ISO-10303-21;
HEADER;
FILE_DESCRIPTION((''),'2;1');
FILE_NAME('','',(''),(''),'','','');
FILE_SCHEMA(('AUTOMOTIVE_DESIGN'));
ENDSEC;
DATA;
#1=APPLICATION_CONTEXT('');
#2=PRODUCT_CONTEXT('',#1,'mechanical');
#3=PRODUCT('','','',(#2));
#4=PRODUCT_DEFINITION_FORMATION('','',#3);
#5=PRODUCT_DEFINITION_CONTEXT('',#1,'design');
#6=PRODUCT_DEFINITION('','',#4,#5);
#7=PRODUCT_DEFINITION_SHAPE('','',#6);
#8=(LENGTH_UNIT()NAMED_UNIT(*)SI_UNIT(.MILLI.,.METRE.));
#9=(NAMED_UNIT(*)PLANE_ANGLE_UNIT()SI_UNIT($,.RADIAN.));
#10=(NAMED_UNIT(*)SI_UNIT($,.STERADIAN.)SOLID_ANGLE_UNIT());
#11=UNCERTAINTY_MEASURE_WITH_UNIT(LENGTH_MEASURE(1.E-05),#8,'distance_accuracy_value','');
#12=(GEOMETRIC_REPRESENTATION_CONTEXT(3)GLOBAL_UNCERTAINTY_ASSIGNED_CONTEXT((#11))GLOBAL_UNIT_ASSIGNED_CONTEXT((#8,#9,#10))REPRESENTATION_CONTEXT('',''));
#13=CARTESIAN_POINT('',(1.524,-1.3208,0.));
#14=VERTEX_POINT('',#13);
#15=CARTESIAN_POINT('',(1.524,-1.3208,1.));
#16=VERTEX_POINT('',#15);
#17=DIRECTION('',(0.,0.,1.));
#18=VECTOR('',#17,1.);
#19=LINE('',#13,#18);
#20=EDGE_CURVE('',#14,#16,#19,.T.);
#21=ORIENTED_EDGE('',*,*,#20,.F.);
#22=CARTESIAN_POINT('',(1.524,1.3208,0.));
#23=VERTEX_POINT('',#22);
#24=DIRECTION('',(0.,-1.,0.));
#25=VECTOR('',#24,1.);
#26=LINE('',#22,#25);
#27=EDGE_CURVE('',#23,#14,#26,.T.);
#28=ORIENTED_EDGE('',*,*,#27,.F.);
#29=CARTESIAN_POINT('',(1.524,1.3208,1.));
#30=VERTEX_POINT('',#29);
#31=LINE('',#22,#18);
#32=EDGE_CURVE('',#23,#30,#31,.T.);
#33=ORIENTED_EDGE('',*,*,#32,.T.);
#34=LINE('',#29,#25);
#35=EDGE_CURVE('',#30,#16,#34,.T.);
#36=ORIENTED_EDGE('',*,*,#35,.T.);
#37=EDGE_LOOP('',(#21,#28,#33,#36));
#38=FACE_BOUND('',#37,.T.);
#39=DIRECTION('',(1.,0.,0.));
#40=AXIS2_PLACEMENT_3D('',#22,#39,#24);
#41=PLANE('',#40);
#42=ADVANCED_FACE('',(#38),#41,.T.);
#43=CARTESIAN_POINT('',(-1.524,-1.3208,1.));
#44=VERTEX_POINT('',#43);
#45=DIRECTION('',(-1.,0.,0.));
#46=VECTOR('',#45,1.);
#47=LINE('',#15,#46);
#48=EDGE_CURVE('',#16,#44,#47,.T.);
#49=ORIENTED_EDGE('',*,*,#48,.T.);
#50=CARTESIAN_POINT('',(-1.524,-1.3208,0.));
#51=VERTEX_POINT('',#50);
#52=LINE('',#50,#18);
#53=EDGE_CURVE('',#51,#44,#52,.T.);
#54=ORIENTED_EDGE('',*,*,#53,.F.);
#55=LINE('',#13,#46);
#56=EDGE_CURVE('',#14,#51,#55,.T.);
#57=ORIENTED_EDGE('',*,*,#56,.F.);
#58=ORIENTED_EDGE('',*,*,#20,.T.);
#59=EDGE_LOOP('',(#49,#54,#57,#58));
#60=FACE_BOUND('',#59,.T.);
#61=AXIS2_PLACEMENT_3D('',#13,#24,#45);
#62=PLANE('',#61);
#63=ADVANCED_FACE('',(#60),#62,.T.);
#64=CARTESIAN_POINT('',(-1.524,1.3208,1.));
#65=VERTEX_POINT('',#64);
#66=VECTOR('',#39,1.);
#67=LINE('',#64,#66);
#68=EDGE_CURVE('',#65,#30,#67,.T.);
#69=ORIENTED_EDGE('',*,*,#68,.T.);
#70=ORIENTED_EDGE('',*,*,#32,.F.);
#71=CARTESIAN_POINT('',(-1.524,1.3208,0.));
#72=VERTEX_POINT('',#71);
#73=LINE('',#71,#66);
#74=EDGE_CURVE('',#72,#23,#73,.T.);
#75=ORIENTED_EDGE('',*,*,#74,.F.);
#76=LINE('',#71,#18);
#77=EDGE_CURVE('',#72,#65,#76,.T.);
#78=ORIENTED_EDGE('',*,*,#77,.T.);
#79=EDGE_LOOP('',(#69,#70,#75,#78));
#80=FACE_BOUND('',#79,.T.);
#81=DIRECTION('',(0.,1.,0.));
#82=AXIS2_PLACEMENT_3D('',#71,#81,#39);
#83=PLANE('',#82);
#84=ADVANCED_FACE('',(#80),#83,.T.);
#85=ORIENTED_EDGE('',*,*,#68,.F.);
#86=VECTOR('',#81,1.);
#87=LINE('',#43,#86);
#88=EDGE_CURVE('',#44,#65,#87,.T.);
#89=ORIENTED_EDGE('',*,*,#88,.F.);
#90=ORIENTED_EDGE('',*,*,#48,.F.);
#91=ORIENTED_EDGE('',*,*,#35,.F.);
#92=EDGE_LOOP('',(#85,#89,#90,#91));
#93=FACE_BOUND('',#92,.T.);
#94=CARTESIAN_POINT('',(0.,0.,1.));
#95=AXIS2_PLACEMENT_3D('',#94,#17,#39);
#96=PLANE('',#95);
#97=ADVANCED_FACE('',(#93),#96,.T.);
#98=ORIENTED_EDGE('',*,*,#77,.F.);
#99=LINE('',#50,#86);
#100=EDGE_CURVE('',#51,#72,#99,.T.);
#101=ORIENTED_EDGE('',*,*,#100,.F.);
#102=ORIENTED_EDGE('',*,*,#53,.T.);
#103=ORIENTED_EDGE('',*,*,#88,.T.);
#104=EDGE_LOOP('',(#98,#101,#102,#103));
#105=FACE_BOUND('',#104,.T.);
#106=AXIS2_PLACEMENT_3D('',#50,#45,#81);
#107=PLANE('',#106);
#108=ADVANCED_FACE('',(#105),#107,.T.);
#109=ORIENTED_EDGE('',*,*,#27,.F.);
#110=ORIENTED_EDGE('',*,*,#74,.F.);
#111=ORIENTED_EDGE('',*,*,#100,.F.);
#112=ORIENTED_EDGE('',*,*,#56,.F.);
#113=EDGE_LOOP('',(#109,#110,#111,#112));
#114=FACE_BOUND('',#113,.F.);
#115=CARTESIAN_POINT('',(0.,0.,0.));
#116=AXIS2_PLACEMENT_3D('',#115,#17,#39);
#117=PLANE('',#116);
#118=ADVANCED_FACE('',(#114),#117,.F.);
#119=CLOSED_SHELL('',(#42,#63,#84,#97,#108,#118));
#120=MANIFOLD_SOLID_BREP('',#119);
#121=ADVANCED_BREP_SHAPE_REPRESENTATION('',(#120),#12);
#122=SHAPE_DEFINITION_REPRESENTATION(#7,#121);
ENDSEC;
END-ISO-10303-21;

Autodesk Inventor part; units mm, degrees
ref_plane "YZ Plane" through (0, 0, 0) normal (1, 0, 0) x (0, 1, 0)
ref_plane "XZ Plane" through (0, 0, 0) normal (0, 1, 0) x (-1, 0, 0)
ref_plane "XY Plane" through (0, 0, 0) normal (0, 0, 1) x (1, 0, 0)
sketch "SOT95P237X112-3N, MCP130T-315I_TT_86" plane through (0, 0, 0) normal (0, 0, 1) x (1, 0, 0)
  line L0 (-1.524, 1.3208) -> (1.524, 1.3208)
  line L1 (1.524, 1.3208) -> (1.524, -1.3208)
  line L2 (1.524, -1.3208) -> (-1.524, -1.3208)
  line L3 (-1.524, -1.3208) -> (-1.524, 1.3208)
extrude "Extrusion1" add sketch "SOT95P237X112-3N, MCP130T-315I_TT_86" along normal blind 1
properties part number "MCP130T-315I_TT"
